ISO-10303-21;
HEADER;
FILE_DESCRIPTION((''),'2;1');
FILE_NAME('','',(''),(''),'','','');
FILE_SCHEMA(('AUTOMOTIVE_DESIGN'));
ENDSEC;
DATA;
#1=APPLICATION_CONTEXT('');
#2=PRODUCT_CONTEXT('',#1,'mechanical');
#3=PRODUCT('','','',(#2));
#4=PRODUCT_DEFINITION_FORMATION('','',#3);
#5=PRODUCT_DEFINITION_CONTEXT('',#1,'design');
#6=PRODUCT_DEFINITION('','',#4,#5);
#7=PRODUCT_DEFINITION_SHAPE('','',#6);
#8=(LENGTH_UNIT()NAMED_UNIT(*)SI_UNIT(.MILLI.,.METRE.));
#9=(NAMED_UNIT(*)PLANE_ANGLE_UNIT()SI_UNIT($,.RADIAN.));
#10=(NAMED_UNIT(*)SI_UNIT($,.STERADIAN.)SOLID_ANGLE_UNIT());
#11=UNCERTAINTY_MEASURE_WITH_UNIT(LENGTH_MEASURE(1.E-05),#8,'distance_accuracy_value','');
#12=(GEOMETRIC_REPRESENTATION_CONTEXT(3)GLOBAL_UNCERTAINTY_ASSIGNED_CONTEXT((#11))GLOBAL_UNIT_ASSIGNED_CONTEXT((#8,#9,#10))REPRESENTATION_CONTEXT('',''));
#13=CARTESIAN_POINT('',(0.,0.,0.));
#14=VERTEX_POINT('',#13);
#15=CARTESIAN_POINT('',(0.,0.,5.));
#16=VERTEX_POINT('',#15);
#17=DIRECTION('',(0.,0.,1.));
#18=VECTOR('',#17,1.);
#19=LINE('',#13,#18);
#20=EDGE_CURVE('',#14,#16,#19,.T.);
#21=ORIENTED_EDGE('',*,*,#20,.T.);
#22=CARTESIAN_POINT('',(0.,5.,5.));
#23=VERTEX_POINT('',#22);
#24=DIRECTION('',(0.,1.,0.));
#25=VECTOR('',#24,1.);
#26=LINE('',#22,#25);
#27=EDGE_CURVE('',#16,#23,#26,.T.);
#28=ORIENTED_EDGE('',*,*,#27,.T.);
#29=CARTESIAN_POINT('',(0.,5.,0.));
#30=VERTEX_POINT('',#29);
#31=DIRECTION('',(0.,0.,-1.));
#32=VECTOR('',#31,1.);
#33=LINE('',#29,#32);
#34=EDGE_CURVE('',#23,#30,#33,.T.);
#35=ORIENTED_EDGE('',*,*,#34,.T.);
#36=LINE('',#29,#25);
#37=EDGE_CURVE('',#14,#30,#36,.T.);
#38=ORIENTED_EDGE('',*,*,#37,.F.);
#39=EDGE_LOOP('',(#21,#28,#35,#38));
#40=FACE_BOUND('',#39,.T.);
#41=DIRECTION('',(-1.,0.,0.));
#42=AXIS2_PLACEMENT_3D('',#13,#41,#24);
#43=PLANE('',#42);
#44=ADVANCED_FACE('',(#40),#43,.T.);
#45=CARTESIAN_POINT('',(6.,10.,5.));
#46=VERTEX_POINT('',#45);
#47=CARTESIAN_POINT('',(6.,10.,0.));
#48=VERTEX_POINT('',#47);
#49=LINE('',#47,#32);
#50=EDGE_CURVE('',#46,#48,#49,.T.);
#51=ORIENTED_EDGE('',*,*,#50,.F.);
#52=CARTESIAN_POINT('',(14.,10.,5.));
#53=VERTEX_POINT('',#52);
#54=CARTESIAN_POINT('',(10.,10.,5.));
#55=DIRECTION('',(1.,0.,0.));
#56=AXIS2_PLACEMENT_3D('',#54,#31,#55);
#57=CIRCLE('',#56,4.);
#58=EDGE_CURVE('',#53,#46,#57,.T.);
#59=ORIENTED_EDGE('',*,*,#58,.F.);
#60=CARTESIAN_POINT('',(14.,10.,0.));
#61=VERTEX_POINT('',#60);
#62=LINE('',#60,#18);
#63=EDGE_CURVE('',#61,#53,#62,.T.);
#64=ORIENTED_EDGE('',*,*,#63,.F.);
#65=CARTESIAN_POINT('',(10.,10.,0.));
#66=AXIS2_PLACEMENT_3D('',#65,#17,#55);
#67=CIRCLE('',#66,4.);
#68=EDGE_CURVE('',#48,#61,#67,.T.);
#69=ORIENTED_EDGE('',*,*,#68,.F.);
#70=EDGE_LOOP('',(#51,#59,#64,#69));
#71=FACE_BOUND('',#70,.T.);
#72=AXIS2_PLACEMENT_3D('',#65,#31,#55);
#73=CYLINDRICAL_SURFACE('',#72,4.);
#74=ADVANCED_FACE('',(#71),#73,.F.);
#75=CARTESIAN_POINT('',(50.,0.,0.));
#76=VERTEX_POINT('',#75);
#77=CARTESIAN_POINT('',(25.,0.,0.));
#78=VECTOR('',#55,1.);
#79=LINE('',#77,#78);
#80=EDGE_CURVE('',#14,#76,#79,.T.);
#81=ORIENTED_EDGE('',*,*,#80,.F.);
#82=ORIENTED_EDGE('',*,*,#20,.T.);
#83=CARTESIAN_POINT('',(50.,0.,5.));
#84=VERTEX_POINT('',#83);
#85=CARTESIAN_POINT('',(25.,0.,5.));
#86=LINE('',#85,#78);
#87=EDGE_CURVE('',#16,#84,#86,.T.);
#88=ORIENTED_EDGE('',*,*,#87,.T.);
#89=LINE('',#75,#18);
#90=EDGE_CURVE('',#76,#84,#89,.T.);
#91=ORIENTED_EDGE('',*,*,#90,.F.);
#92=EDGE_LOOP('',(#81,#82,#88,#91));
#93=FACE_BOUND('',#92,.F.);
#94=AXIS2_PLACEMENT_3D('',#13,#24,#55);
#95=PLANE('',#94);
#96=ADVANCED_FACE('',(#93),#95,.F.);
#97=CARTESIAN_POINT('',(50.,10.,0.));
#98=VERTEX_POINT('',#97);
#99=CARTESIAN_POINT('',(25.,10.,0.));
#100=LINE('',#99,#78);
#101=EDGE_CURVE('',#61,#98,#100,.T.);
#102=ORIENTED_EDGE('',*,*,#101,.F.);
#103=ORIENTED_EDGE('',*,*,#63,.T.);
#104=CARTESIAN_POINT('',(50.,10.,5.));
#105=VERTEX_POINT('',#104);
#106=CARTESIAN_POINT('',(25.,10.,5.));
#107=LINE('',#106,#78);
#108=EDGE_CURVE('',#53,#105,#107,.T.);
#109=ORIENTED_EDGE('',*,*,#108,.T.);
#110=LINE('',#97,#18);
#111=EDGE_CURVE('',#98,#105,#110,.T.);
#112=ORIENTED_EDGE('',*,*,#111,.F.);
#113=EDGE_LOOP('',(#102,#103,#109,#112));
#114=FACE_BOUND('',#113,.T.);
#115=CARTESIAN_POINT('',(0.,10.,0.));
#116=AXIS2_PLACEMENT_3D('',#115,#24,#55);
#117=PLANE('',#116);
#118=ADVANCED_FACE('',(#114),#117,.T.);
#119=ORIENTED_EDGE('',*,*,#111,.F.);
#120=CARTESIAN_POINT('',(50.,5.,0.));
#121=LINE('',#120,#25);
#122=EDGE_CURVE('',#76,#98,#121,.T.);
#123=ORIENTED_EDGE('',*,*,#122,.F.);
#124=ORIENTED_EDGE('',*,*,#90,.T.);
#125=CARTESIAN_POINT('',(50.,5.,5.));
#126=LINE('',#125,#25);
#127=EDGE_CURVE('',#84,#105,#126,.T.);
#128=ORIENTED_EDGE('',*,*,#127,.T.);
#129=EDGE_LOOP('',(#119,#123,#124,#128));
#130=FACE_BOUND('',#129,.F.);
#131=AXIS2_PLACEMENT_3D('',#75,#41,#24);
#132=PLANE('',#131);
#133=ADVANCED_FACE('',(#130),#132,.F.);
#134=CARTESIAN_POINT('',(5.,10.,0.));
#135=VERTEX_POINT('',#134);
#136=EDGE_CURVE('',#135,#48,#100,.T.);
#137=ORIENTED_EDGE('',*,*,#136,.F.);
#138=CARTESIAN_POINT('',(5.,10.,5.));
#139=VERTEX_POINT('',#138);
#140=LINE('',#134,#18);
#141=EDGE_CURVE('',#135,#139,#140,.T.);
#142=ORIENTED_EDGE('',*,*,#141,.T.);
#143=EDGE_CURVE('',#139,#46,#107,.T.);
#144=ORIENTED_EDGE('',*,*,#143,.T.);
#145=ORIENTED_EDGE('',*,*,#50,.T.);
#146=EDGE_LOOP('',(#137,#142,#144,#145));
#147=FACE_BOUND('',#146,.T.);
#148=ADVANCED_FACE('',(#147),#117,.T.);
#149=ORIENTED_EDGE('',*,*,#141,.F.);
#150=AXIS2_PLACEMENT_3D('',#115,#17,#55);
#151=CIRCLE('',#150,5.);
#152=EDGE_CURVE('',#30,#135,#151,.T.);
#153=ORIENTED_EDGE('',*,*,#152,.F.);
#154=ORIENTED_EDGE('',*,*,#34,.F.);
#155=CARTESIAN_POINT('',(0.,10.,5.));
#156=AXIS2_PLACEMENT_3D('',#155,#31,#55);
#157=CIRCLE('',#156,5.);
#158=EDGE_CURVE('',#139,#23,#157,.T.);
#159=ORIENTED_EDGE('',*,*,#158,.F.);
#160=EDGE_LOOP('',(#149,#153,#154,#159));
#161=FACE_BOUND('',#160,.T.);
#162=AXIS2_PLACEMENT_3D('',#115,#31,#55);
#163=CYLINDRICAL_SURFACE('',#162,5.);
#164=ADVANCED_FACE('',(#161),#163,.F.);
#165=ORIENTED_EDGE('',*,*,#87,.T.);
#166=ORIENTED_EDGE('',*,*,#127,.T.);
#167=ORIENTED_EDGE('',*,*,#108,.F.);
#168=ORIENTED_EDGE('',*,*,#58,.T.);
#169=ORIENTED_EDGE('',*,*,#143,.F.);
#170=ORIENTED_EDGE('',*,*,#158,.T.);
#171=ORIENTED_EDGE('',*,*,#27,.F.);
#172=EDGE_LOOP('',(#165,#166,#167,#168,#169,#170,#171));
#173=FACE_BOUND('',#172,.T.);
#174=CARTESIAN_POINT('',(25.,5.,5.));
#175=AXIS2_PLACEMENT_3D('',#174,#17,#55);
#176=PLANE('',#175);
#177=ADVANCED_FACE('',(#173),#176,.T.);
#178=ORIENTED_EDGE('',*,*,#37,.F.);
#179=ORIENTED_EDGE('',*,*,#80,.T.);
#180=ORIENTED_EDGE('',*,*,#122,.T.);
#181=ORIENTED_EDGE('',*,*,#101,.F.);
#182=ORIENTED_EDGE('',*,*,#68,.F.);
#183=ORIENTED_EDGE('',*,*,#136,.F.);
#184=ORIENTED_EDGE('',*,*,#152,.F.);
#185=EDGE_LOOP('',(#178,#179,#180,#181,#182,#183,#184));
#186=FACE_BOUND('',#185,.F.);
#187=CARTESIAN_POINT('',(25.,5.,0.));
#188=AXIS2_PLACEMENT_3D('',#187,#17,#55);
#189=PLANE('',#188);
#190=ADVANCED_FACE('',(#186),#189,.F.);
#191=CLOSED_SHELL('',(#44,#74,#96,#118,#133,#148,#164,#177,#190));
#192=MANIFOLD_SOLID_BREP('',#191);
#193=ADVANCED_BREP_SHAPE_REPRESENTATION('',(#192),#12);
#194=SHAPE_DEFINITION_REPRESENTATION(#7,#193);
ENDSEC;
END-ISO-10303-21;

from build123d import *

# Parameters (mm, degrees)
SKETCH_W      = 50
SKETCH_H      = 10
PAD_DEPTH     = 5
SKETCH001_R   = 5
SKETCH001_R_2 = 4
POCKET_DEPTH  = 5.001


with BuildPart() as part:
    # Sketch → Pad (new body)
    with BuildSketch(Plane.XY):
        with Locations((25, 5)):
            Rectangle(SKETCH_W, SKETCH_H)
    extrude(amount=PAD_DEPTH)

    # Sketch001 → Pocket (cut, through all)
    with BuildSketch(Plane.XY):
        with Locations((0, 10)):
            Circle(SKETCH001_R)
        with Locations((10, 10)):
            Circle(SKETCH001_R_2)
    extrude(amount=POCKET_DEPTH, mode=Mode.SUBTRACT)


solid = part.part
